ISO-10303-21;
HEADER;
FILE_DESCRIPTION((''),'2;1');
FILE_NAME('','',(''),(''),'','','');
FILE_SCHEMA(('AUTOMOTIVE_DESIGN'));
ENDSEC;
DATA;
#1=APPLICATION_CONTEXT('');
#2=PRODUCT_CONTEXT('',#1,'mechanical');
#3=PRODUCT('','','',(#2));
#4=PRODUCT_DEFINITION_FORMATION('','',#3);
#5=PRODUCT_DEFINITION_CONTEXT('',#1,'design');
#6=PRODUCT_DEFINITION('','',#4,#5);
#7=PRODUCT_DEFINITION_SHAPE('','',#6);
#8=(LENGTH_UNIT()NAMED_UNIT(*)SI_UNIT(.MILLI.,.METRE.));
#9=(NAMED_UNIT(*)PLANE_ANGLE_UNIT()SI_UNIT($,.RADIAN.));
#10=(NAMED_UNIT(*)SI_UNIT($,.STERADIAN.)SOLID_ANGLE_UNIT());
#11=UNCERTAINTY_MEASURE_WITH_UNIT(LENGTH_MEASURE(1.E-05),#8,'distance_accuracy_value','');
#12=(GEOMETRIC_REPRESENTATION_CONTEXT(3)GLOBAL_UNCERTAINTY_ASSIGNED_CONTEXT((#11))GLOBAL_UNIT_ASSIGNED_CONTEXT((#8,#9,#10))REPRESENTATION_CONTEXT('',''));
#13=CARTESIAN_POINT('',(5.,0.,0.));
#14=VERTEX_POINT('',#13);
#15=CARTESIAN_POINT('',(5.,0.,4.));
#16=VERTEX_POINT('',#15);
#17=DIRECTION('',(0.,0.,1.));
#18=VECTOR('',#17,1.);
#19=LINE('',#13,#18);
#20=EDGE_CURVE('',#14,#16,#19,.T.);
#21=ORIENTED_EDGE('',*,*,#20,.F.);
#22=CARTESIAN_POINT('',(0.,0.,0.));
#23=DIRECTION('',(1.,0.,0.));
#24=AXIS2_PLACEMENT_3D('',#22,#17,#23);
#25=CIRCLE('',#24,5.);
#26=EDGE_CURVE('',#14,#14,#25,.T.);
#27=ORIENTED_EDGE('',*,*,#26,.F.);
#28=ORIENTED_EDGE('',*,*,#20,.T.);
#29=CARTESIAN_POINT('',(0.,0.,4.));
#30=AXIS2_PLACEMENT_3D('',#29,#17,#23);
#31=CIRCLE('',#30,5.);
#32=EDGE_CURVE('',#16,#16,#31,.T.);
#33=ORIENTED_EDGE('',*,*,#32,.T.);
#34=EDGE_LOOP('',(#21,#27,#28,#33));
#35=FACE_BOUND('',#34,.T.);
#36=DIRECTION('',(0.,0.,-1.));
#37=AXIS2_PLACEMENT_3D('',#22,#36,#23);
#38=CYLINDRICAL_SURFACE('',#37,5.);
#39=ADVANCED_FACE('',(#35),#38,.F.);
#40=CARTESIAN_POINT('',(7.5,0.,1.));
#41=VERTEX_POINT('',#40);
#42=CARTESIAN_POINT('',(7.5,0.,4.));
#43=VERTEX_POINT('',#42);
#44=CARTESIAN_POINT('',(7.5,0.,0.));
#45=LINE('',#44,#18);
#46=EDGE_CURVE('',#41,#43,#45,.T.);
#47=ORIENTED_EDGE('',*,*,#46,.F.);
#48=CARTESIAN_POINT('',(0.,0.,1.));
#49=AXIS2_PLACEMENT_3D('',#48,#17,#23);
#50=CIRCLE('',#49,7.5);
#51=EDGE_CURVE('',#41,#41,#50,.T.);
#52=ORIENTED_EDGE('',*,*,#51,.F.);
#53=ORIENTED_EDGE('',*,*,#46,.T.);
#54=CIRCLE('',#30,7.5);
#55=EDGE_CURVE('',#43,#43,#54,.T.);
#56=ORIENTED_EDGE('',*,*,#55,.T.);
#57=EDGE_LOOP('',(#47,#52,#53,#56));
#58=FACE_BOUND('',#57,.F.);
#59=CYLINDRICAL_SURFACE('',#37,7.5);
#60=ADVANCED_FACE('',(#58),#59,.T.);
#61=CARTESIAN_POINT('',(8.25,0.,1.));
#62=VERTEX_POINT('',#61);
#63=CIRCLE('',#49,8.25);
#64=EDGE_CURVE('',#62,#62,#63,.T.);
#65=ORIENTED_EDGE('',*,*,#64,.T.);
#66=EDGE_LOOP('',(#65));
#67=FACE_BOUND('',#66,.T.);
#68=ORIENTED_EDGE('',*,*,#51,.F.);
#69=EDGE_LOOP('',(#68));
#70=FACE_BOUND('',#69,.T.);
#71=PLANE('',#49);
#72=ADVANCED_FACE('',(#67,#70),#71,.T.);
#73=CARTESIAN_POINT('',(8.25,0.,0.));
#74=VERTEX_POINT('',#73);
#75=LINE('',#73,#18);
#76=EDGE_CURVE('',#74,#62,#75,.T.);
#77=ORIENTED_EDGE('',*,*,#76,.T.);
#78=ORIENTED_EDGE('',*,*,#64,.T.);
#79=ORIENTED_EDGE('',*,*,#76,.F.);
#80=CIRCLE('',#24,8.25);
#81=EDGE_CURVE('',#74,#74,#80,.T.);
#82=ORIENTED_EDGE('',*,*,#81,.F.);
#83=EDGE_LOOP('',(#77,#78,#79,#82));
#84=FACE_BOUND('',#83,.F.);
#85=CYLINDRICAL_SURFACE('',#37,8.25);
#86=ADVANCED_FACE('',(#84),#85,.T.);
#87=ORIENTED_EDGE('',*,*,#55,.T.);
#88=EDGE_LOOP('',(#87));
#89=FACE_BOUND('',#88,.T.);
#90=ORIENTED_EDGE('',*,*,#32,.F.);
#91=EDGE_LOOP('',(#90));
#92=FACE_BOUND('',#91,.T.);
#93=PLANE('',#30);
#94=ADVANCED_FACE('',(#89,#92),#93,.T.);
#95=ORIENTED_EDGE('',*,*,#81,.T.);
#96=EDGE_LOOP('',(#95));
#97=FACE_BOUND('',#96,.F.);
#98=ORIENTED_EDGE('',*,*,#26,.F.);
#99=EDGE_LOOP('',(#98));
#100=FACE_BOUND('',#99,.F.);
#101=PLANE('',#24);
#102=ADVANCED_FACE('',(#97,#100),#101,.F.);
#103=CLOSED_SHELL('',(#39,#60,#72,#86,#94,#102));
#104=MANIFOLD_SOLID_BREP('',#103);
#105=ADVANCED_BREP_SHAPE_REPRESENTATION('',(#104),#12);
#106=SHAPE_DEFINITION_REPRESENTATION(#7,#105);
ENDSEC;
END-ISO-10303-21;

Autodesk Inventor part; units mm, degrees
ref_plane "YZ Plane" through (0, 0, 0) normal (1, 0, 0) x (0, 1, 0)
ref_plane "XZ Plane" through (0, 0, 0) normal (0, 1, 0) x (-1, 0, 0)
ref_plane "XY Plane" through (0, 0, 0) normal (0, 0, 1) x (1, 0, 0)
sketch "スケッチ1" plane through (0, 0, 0) normal (0, 0, 1) x (1, 0, 0)
  circle A0 centre (0, 0) radius 5
  circle A1 centre (0, 0) radius 7.5
  circle A2 centre (0, 0) radius 8.25
  dimension "d0" = 10
  dimension "d1" = 15
  dimension "d2" = 16.5
extrude "押し出し1" add sketch "スケッチ1" along normal blind 1 contours A2
extrude "押し出し2" add sketch "スケッチ1" along normal blind 4 contours A1
properties part number "bear_10_15_sn" material "アルミニウム 6061-AHC"
